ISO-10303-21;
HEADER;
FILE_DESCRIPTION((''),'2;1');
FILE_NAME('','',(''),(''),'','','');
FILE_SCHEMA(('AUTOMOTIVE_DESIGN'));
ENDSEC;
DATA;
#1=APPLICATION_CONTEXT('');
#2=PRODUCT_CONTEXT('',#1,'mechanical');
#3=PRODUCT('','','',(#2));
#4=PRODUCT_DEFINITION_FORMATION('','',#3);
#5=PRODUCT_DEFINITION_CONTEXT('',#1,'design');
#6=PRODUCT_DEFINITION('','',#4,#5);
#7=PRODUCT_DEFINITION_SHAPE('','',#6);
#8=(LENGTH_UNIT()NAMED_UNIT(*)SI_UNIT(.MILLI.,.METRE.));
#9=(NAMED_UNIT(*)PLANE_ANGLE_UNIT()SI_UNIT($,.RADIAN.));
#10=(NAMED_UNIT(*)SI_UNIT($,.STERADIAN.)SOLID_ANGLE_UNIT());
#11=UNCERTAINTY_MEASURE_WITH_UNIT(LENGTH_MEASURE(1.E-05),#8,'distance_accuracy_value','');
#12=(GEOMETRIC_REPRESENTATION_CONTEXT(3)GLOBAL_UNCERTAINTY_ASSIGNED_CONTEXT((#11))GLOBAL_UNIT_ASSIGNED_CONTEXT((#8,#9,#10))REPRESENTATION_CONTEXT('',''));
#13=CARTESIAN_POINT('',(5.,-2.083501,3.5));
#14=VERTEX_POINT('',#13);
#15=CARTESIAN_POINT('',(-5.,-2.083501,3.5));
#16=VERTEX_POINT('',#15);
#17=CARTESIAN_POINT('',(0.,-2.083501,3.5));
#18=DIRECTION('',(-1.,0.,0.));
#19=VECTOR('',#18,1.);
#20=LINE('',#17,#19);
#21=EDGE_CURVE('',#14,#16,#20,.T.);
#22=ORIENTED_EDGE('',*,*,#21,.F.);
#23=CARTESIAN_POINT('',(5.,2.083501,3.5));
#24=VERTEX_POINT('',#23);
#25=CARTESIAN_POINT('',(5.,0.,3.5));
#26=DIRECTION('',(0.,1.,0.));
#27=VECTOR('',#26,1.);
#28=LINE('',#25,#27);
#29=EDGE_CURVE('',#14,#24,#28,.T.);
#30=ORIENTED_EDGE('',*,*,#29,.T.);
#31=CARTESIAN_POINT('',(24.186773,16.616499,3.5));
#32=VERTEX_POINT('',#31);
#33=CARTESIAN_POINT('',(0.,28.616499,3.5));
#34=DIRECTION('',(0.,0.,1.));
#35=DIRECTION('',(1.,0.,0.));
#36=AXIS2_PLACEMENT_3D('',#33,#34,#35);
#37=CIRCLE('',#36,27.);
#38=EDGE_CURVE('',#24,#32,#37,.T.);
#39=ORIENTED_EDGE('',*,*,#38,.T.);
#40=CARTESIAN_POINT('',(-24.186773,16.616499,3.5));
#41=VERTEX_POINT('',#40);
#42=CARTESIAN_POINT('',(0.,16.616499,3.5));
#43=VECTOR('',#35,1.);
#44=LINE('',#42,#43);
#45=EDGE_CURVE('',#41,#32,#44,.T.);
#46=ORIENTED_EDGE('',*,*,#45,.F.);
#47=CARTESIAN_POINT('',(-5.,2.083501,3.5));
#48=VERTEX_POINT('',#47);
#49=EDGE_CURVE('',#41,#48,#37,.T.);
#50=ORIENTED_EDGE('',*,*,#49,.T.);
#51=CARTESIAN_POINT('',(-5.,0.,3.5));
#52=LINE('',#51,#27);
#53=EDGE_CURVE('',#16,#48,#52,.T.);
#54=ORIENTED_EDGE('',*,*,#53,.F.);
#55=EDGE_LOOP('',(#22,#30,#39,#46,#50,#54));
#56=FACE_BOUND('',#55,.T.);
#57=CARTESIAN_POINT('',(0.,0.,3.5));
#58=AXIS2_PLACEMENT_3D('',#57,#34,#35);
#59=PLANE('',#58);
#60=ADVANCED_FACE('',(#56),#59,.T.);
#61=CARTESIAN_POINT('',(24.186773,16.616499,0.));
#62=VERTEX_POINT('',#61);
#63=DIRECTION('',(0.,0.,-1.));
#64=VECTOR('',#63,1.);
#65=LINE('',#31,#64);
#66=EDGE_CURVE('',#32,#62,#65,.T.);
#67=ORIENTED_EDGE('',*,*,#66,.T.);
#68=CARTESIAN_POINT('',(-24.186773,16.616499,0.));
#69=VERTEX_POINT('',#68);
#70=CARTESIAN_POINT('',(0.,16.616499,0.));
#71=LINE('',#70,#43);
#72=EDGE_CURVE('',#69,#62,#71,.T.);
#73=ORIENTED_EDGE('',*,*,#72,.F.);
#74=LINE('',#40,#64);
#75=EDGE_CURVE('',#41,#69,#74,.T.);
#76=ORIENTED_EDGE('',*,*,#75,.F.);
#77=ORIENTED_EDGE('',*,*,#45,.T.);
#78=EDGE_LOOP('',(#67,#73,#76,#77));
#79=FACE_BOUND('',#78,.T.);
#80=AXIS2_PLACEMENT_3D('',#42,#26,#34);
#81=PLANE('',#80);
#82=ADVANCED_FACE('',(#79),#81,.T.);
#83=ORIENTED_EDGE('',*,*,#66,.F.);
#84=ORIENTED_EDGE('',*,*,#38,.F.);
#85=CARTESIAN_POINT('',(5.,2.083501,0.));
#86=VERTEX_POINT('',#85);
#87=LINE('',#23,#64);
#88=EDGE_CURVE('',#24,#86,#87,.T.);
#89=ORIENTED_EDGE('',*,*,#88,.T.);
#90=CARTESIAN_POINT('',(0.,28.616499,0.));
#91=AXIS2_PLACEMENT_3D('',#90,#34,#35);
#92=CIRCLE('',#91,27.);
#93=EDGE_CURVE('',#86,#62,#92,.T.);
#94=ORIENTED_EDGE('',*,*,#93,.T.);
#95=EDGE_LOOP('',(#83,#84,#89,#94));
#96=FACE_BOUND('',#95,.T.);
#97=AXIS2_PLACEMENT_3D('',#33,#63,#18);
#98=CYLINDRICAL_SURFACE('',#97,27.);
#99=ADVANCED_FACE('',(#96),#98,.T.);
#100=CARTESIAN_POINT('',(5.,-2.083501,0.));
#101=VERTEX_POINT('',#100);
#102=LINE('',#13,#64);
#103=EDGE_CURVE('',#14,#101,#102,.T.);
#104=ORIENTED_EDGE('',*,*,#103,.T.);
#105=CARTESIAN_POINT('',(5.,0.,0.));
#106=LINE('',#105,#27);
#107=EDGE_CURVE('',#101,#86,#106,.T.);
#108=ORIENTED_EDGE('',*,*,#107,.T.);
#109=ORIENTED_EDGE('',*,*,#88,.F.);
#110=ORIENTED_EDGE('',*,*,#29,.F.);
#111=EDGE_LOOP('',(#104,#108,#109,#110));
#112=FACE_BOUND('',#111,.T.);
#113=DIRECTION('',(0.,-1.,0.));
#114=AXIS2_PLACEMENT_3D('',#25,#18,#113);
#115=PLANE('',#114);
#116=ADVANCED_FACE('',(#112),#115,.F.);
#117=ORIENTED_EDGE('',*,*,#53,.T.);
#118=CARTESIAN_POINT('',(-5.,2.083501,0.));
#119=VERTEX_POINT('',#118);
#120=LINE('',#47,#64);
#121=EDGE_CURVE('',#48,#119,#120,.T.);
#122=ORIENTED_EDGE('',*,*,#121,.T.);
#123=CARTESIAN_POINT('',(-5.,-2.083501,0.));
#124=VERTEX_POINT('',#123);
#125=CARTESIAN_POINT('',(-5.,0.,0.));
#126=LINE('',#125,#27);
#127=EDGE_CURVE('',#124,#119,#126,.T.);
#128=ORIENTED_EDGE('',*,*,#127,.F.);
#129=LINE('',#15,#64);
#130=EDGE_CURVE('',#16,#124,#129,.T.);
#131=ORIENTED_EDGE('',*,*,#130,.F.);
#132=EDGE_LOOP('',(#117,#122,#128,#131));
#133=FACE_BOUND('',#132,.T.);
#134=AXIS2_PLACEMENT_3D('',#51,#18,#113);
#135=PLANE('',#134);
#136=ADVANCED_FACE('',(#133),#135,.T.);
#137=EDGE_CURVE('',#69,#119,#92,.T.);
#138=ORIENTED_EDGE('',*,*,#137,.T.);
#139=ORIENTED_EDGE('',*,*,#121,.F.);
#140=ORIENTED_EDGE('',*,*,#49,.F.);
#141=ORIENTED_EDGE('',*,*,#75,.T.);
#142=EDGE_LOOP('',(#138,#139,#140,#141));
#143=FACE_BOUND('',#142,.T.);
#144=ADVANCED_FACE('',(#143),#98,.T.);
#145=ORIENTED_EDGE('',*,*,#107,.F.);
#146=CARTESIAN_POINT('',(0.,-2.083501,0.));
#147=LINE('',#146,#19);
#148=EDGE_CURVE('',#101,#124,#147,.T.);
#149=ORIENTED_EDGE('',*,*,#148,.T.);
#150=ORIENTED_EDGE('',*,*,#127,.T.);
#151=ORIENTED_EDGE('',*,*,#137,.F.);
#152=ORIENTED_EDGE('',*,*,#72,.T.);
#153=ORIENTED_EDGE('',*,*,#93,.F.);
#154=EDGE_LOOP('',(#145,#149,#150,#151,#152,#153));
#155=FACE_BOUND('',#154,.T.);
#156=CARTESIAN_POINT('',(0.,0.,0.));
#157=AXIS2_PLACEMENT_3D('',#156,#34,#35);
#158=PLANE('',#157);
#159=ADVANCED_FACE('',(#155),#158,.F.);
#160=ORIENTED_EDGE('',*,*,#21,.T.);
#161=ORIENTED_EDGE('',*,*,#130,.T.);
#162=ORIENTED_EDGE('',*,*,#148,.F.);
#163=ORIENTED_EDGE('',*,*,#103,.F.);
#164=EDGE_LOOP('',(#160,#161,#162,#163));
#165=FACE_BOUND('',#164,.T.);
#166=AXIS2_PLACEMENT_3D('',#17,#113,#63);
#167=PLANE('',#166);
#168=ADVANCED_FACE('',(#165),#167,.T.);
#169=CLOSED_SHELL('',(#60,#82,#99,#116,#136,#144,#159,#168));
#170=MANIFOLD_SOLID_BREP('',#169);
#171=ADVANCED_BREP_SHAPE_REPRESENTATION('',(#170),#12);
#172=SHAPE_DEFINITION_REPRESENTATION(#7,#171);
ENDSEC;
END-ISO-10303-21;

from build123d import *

# Parameters (mm, degrees)
EXTRUDE_1_DEPTH = 3.5


with BuildPart() as part:
    # 草图1 → 凸台-拉伸1 (new body)
    with BuildSketch(Plane.XY):
        with BuildLine():
            Line((24.186773245, 16.616499161), (-24.186773245, 16.616499161))
            ThreePointArc((-24.186773245, 16.616499161), (-16.30242139, 7.093695979), (-5, 2.083500839))
            Line((-5, 2.083500839), (-5, -2.083500839))
            Line((-5, -2.083500839), (5, -2.083500839))
            Line((5, -2.083500839), (5, 2.083500839))
            ThreePointArc((5, 2.083500839), (16.30242139, 7.093695979), (24.186773245, 16.616499161))
        make_face()
    extrude(amount=EXTRUDE_1_DEPTH)


solid = part.part
